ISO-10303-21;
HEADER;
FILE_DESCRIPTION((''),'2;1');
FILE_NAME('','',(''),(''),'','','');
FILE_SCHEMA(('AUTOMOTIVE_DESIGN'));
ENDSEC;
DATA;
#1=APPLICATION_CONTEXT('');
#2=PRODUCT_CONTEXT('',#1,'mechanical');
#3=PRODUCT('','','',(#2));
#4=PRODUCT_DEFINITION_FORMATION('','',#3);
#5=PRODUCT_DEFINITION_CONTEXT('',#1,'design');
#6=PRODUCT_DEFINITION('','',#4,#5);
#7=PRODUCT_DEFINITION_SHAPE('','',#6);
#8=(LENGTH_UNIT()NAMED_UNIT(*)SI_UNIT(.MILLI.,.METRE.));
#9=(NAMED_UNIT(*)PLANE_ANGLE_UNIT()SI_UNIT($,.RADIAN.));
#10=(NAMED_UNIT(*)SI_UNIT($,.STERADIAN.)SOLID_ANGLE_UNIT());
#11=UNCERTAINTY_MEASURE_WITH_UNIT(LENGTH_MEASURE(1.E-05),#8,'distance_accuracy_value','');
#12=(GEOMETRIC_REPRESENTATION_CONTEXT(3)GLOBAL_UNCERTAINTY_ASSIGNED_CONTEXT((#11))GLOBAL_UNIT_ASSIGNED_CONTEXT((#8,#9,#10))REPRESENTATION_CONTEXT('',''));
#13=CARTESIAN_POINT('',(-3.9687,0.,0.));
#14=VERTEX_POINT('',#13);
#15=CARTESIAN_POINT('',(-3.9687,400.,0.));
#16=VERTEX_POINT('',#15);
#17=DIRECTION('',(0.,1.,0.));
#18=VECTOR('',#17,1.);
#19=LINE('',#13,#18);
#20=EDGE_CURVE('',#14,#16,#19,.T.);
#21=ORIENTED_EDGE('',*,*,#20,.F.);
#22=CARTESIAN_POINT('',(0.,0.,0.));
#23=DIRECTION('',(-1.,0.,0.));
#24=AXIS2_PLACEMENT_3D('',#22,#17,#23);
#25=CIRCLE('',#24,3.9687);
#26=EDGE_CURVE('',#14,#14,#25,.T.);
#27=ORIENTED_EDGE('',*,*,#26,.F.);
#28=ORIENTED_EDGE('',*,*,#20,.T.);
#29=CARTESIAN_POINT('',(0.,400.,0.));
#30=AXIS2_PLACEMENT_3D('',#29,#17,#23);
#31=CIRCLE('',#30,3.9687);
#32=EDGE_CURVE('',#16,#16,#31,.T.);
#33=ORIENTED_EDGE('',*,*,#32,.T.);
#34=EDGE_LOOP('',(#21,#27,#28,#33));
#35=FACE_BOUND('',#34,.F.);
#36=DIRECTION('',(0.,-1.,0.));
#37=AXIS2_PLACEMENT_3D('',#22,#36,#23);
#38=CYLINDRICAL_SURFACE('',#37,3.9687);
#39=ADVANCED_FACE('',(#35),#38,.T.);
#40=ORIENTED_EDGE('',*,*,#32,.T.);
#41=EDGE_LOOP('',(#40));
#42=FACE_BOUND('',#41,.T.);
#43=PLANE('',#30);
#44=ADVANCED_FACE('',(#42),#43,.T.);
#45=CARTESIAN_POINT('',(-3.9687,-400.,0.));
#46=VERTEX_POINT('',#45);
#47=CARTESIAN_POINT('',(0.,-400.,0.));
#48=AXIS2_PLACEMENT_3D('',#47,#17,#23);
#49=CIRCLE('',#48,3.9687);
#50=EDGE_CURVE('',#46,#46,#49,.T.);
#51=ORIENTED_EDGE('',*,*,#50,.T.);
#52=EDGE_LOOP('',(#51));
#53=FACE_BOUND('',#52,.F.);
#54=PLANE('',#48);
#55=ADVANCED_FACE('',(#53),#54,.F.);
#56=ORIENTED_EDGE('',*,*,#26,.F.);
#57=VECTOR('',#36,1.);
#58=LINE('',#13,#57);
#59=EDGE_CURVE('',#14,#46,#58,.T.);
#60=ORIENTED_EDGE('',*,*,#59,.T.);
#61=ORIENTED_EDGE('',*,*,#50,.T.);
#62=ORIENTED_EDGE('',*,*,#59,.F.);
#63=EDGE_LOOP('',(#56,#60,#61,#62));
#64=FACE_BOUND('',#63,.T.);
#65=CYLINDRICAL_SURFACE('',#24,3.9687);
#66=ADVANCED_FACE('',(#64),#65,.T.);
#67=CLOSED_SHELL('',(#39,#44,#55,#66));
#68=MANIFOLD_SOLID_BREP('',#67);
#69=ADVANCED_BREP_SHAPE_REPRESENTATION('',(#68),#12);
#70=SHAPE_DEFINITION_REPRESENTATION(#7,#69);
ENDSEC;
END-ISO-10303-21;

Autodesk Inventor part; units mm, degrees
ref_plane "YZ Plane" through (0, 0, 0) normal (1, 0, 0) x (0, 1, 0)
ref_plane "XZ Plane" through (0, 0, 0) normal (0, 1, 0) x (-1, 0, 0)
ref_plane "XY Plane" through (0, 0, 0) normal (0, 0, 1) x (1, 0, 0)
sketch "Sketch1" plane through (0, 0, 0) normal (0, 1, 0) x (-1, 0, 0)
  circle A0 centre (0, 0) radius 3.9687
  dimension "d0" = 7.9375
extrude "Extrusion1" add sketch "Sketch1" along normal mid plane 800
thread "Thread1" size "5/16-18 UNC" class "2A" standard "ANSI Unified Screw Threads" full length
properties part number "X Threaded Rod"
